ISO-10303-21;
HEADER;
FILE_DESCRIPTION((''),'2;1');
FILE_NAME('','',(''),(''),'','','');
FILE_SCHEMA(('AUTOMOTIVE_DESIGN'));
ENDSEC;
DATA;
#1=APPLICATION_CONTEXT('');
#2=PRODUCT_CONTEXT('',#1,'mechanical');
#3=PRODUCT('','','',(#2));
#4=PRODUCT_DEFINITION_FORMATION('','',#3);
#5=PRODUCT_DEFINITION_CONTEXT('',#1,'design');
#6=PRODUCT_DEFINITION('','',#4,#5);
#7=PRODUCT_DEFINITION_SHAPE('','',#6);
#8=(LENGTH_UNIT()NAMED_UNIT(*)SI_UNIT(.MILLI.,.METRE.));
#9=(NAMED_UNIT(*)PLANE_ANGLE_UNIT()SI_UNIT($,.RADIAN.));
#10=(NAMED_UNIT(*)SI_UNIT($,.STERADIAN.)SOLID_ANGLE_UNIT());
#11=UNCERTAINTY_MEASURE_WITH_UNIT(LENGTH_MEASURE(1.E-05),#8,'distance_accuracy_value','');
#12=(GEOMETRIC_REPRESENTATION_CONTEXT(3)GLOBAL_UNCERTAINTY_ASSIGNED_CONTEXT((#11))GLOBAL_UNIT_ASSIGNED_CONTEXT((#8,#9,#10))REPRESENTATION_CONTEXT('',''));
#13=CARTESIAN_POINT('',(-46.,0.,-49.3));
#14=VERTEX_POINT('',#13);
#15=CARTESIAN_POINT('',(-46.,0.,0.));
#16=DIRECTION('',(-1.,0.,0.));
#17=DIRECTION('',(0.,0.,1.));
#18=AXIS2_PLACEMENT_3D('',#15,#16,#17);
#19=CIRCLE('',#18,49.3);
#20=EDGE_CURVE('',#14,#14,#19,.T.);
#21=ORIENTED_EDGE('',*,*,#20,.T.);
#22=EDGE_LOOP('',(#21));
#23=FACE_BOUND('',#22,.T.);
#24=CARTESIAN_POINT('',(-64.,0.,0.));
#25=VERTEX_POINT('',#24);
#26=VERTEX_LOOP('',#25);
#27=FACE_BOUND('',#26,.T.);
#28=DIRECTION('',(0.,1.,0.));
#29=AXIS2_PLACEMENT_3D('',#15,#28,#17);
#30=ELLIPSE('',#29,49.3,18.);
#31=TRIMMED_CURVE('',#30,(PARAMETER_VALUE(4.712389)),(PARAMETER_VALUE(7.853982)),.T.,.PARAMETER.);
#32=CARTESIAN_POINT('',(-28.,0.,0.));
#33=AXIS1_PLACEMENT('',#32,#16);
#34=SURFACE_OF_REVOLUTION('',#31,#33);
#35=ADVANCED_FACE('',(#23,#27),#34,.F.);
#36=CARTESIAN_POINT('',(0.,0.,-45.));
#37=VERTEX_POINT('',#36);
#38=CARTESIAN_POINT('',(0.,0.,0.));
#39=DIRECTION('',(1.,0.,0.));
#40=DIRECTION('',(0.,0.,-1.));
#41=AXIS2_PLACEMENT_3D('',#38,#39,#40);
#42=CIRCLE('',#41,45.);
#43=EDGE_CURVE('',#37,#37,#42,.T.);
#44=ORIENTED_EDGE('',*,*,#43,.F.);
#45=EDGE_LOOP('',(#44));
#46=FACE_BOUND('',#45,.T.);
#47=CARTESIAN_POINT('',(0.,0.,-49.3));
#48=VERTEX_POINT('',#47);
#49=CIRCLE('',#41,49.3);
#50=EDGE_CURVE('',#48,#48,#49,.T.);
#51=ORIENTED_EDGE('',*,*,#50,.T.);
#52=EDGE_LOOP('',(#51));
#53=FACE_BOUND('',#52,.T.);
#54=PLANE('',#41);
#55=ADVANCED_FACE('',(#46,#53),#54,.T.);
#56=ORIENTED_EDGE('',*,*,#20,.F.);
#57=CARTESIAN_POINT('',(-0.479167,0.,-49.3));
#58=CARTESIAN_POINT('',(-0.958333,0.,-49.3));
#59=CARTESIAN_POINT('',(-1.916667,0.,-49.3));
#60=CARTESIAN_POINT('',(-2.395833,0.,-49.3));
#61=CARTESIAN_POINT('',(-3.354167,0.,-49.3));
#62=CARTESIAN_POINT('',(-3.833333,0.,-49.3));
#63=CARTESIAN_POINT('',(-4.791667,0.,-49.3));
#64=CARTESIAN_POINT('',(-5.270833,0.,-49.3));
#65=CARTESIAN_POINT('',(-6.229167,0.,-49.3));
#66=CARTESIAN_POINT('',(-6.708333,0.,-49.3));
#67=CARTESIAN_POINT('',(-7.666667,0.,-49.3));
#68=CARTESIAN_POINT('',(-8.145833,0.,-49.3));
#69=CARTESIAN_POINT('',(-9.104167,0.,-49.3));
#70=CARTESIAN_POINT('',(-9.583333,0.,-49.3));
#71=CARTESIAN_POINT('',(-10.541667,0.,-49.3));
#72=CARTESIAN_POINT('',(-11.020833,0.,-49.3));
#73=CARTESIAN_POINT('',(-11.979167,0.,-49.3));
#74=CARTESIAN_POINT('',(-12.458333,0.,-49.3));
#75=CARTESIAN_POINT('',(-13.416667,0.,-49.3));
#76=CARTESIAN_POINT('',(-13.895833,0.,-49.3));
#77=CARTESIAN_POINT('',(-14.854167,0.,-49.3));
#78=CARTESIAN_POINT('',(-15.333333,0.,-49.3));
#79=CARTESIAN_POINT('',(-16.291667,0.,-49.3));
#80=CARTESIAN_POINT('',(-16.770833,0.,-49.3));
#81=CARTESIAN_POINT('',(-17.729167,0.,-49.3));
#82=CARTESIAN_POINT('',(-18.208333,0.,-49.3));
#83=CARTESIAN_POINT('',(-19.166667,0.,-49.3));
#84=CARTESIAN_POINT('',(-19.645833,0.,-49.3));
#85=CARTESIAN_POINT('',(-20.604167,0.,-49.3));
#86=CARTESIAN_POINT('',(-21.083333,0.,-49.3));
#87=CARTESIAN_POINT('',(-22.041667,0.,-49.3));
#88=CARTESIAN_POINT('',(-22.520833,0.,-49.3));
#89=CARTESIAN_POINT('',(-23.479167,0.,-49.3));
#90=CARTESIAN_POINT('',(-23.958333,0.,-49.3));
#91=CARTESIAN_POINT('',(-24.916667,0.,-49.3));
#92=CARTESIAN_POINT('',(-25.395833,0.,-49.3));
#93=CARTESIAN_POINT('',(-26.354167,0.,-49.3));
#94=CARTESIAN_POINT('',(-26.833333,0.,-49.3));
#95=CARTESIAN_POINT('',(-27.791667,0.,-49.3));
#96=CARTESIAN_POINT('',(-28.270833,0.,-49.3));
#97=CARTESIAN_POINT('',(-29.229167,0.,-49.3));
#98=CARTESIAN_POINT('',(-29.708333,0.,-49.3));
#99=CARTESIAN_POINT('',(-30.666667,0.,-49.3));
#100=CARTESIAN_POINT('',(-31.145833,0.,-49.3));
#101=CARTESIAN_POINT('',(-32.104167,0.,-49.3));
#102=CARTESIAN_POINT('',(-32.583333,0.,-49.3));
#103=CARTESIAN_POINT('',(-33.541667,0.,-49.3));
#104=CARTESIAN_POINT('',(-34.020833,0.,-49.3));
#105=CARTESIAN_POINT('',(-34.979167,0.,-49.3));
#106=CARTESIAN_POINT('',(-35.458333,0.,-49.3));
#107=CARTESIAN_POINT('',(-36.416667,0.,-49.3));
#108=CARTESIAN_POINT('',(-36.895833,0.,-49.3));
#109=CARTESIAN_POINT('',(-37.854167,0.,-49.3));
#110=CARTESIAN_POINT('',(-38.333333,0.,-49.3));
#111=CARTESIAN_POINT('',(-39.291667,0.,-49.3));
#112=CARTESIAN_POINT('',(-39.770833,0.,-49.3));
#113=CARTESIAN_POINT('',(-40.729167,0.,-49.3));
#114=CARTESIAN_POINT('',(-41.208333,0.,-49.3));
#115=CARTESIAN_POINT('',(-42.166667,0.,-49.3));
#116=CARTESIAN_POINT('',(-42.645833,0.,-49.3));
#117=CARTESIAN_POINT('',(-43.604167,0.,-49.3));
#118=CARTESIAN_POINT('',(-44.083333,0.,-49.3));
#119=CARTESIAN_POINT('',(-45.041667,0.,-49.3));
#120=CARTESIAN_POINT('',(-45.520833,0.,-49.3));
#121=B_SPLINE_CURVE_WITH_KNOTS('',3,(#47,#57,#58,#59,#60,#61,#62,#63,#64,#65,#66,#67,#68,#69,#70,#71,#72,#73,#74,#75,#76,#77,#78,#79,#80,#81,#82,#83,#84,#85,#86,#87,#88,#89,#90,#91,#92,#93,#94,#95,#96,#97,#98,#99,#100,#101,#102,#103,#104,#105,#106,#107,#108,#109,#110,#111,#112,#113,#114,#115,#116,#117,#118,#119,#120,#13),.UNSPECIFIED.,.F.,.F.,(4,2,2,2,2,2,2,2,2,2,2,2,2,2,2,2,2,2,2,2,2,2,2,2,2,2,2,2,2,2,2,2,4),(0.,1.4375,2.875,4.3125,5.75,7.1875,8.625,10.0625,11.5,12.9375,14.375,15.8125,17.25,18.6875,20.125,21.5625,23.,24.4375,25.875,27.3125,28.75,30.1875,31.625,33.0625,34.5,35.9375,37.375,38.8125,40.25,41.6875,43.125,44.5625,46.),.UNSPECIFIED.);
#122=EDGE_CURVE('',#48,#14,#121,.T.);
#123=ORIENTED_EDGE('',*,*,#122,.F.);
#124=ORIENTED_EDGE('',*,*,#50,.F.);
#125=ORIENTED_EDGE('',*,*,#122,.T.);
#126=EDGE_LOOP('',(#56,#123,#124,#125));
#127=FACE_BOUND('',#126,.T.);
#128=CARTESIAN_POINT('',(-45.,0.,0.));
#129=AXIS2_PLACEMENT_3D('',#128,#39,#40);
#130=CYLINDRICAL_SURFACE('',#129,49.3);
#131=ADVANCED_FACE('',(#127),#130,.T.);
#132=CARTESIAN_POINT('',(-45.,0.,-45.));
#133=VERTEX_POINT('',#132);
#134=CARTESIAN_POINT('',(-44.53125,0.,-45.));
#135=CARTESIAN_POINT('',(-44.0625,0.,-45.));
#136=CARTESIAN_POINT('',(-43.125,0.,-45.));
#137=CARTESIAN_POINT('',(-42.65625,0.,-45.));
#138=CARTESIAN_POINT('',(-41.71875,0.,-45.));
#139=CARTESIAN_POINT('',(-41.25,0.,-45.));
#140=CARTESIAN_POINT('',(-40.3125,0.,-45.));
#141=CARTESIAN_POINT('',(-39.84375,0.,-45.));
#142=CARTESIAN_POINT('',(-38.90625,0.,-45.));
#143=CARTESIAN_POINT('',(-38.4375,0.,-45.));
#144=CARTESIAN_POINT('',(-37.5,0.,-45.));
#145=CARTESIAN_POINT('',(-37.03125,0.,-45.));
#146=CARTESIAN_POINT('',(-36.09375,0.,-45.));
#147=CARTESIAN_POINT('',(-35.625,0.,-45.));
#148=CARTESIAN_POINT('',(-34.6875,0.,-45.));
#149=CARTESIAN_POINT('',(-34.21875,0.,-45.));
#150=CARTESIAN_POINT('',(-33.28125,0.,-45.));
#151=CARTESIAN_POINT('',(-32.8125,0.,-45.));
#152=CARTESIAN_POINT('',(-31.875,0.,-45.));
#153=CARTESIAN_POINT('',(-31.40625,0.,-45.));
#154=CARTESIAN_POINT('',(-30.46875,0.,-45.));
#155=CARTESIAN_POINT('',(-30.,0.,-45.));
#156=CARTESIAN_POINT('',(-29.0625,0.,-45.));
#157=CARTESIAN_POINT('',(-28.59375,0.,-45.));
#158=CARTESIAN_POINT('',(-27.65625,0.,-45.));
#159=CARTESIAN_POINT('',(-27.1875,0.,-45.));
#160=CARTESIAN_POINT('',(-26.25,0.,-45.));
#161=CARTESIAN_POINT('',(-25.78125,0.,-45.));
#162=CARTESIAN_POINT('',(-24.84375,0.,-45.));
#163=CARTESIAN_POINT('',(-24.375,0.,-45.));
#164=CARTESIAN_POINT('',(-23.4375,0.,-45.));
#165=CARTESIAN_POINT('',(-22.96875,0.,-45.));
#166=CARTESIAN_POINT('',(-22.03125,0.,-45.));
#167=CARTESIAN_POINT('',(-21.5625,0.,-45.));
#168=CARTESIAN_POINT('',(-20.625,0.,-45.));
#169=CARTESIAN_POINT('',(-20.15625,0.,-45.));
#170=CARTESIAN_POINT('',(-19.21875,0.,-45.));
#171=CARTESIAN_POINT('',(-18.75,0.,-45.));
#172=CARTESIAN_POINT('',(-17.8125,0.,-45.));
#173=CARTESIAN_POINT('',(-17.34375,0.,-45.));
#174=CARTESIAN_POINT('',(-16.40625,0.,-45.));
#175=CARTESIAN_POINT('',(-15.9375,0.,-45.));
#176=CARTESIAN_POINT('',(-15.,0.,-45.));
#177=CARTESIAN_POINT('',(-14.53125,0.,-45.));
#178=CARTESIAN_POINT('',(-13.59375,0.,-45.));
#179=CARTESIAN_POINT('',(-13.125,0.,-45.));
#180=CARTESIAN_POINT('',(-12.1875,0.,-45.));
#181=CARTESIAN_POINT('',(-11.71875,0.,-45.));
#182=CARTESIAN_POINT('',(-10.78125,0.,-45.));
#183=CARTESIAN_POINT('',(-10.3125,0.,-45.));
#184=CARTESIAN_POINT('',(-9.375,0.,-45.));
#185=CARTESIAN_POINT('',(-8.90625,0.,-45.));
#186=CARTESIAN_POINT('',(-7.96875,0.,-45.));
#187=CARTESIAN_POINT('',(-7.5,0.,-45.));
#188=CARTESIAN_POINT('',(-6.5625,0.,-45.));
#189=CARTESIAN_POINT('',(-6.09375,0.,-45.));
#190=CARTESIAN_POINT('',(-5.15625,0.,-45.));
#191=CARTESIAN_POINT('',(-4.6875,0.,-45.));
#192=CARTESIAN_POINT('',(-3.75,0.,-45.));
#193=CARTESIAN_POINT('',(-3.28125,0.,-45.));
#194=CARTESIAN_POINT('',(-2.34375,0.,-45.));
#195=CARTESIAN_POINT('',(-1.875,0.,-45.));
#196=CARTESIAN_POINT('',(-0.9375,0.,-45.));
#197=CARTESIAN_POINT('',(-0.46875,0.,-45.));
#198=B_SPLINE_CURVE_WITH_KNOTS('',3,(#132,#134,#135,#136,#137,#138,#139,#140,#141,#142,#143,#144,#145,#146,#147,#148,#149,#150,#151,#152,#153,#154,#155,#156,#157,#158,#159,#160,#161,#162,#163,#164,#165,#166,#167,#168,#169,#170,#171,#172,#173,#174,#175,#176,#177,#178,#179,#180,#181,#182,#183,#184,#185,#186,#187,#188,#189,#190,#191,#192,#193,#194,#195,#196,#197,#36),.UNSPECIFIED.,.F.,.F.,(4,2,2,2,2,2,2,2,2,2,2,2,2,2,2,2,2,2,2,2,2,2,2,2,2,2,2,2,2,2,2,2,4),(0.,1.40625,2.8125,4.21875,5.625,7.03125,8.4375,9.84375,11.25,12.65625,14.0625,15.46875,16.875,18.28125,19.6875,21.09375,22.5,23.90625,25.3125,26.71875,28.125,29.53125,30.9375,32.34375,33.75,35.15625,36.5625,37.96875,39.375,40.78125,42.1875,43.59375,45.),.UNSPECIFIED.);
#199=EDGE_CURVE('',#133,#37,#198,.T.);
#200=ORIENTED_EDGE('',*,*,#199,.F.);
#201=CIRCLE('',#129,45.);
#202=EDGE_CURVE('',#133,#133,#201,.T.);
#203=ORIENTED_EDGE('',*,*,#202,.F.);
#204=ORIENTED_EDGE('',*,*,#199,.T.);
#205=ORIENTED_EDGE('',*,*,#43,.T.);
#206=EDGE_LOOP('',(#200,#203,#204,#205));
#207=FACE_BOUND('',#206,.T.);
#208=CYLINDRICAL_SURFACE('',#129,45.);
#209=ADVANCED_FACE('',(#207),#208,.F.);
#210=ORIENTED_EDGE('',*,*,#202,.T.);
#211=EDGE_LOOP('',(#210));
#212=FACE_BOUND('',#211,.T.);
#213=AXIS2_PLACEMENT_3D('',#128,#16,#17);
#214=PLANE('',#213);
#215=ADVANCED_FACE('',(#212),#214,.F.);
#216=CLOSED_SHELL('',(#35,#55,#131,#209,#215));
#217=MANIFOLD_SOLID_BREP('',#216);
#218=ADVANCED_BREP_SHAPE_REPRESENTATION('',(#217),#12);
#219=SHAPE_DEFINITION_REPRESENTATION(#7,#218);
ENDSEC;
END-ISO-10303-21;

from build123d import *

# Parameters (mm, degrees)
SKETCH_1_R         = 49.3
SKETCH_1_R_2       = 45
EXTRUDE_1_DEPTH    = 45
SKETCH_2_R         = 49.3
EXTRUDE_1_2_DEPTH  = 1
DOME_1_FACE_RADIUS = 49.3
DOME_1_HEIGHT      = 18


with BuildPart() as part:
    # Эскиз1 → Extrude 1 (new body)
    with BuildSketch(Plane(origin=(0, 0, 0), x_dir=(0, 0, -1), z_dir=(1, 0, 0))):
        Circle(SKETCH_1_R)
        Circle(SKETCH_1_R_2, mode=Mode.SUBTRACT)
    extrude(amount=-EXTRUDE_1_DEPTH)

    # Эскиз2 → Extrude 1 2 (add)
    with BuildSketch(Plane.ZY.offset(45)):
        Circle(SKETCH_2_R)
    extrude(amount=EXTRUDE_1_2_DEPTH)

    # Купол1: an elliptical dome of height H over a round flat face of radius A is half a spheroid: the quarter ellipse of half axes A and H revolved about the face's axis
    with BuildSketch(Plane((-46, 0, 0), x_dir=(0, 0, -1), z_dir=(0, 1, 0)), mode=Mode.PRIVATE) as dome_1_quarter:
        Ellipse(DOME_1_FACE_RADIUS, DOME_1_HEIGHT)
        Rectangle(DOME_1_FACE_RADIUS, DOME_1_HEIGHT, align=(Align.MIN, Align.MIN), mode=Mode.INTERSECT)
    revolve(dome_1_quarter.sketch, axis=Axis((-46, 0, 0), (-1, 0, 0)))


solid = part.part
